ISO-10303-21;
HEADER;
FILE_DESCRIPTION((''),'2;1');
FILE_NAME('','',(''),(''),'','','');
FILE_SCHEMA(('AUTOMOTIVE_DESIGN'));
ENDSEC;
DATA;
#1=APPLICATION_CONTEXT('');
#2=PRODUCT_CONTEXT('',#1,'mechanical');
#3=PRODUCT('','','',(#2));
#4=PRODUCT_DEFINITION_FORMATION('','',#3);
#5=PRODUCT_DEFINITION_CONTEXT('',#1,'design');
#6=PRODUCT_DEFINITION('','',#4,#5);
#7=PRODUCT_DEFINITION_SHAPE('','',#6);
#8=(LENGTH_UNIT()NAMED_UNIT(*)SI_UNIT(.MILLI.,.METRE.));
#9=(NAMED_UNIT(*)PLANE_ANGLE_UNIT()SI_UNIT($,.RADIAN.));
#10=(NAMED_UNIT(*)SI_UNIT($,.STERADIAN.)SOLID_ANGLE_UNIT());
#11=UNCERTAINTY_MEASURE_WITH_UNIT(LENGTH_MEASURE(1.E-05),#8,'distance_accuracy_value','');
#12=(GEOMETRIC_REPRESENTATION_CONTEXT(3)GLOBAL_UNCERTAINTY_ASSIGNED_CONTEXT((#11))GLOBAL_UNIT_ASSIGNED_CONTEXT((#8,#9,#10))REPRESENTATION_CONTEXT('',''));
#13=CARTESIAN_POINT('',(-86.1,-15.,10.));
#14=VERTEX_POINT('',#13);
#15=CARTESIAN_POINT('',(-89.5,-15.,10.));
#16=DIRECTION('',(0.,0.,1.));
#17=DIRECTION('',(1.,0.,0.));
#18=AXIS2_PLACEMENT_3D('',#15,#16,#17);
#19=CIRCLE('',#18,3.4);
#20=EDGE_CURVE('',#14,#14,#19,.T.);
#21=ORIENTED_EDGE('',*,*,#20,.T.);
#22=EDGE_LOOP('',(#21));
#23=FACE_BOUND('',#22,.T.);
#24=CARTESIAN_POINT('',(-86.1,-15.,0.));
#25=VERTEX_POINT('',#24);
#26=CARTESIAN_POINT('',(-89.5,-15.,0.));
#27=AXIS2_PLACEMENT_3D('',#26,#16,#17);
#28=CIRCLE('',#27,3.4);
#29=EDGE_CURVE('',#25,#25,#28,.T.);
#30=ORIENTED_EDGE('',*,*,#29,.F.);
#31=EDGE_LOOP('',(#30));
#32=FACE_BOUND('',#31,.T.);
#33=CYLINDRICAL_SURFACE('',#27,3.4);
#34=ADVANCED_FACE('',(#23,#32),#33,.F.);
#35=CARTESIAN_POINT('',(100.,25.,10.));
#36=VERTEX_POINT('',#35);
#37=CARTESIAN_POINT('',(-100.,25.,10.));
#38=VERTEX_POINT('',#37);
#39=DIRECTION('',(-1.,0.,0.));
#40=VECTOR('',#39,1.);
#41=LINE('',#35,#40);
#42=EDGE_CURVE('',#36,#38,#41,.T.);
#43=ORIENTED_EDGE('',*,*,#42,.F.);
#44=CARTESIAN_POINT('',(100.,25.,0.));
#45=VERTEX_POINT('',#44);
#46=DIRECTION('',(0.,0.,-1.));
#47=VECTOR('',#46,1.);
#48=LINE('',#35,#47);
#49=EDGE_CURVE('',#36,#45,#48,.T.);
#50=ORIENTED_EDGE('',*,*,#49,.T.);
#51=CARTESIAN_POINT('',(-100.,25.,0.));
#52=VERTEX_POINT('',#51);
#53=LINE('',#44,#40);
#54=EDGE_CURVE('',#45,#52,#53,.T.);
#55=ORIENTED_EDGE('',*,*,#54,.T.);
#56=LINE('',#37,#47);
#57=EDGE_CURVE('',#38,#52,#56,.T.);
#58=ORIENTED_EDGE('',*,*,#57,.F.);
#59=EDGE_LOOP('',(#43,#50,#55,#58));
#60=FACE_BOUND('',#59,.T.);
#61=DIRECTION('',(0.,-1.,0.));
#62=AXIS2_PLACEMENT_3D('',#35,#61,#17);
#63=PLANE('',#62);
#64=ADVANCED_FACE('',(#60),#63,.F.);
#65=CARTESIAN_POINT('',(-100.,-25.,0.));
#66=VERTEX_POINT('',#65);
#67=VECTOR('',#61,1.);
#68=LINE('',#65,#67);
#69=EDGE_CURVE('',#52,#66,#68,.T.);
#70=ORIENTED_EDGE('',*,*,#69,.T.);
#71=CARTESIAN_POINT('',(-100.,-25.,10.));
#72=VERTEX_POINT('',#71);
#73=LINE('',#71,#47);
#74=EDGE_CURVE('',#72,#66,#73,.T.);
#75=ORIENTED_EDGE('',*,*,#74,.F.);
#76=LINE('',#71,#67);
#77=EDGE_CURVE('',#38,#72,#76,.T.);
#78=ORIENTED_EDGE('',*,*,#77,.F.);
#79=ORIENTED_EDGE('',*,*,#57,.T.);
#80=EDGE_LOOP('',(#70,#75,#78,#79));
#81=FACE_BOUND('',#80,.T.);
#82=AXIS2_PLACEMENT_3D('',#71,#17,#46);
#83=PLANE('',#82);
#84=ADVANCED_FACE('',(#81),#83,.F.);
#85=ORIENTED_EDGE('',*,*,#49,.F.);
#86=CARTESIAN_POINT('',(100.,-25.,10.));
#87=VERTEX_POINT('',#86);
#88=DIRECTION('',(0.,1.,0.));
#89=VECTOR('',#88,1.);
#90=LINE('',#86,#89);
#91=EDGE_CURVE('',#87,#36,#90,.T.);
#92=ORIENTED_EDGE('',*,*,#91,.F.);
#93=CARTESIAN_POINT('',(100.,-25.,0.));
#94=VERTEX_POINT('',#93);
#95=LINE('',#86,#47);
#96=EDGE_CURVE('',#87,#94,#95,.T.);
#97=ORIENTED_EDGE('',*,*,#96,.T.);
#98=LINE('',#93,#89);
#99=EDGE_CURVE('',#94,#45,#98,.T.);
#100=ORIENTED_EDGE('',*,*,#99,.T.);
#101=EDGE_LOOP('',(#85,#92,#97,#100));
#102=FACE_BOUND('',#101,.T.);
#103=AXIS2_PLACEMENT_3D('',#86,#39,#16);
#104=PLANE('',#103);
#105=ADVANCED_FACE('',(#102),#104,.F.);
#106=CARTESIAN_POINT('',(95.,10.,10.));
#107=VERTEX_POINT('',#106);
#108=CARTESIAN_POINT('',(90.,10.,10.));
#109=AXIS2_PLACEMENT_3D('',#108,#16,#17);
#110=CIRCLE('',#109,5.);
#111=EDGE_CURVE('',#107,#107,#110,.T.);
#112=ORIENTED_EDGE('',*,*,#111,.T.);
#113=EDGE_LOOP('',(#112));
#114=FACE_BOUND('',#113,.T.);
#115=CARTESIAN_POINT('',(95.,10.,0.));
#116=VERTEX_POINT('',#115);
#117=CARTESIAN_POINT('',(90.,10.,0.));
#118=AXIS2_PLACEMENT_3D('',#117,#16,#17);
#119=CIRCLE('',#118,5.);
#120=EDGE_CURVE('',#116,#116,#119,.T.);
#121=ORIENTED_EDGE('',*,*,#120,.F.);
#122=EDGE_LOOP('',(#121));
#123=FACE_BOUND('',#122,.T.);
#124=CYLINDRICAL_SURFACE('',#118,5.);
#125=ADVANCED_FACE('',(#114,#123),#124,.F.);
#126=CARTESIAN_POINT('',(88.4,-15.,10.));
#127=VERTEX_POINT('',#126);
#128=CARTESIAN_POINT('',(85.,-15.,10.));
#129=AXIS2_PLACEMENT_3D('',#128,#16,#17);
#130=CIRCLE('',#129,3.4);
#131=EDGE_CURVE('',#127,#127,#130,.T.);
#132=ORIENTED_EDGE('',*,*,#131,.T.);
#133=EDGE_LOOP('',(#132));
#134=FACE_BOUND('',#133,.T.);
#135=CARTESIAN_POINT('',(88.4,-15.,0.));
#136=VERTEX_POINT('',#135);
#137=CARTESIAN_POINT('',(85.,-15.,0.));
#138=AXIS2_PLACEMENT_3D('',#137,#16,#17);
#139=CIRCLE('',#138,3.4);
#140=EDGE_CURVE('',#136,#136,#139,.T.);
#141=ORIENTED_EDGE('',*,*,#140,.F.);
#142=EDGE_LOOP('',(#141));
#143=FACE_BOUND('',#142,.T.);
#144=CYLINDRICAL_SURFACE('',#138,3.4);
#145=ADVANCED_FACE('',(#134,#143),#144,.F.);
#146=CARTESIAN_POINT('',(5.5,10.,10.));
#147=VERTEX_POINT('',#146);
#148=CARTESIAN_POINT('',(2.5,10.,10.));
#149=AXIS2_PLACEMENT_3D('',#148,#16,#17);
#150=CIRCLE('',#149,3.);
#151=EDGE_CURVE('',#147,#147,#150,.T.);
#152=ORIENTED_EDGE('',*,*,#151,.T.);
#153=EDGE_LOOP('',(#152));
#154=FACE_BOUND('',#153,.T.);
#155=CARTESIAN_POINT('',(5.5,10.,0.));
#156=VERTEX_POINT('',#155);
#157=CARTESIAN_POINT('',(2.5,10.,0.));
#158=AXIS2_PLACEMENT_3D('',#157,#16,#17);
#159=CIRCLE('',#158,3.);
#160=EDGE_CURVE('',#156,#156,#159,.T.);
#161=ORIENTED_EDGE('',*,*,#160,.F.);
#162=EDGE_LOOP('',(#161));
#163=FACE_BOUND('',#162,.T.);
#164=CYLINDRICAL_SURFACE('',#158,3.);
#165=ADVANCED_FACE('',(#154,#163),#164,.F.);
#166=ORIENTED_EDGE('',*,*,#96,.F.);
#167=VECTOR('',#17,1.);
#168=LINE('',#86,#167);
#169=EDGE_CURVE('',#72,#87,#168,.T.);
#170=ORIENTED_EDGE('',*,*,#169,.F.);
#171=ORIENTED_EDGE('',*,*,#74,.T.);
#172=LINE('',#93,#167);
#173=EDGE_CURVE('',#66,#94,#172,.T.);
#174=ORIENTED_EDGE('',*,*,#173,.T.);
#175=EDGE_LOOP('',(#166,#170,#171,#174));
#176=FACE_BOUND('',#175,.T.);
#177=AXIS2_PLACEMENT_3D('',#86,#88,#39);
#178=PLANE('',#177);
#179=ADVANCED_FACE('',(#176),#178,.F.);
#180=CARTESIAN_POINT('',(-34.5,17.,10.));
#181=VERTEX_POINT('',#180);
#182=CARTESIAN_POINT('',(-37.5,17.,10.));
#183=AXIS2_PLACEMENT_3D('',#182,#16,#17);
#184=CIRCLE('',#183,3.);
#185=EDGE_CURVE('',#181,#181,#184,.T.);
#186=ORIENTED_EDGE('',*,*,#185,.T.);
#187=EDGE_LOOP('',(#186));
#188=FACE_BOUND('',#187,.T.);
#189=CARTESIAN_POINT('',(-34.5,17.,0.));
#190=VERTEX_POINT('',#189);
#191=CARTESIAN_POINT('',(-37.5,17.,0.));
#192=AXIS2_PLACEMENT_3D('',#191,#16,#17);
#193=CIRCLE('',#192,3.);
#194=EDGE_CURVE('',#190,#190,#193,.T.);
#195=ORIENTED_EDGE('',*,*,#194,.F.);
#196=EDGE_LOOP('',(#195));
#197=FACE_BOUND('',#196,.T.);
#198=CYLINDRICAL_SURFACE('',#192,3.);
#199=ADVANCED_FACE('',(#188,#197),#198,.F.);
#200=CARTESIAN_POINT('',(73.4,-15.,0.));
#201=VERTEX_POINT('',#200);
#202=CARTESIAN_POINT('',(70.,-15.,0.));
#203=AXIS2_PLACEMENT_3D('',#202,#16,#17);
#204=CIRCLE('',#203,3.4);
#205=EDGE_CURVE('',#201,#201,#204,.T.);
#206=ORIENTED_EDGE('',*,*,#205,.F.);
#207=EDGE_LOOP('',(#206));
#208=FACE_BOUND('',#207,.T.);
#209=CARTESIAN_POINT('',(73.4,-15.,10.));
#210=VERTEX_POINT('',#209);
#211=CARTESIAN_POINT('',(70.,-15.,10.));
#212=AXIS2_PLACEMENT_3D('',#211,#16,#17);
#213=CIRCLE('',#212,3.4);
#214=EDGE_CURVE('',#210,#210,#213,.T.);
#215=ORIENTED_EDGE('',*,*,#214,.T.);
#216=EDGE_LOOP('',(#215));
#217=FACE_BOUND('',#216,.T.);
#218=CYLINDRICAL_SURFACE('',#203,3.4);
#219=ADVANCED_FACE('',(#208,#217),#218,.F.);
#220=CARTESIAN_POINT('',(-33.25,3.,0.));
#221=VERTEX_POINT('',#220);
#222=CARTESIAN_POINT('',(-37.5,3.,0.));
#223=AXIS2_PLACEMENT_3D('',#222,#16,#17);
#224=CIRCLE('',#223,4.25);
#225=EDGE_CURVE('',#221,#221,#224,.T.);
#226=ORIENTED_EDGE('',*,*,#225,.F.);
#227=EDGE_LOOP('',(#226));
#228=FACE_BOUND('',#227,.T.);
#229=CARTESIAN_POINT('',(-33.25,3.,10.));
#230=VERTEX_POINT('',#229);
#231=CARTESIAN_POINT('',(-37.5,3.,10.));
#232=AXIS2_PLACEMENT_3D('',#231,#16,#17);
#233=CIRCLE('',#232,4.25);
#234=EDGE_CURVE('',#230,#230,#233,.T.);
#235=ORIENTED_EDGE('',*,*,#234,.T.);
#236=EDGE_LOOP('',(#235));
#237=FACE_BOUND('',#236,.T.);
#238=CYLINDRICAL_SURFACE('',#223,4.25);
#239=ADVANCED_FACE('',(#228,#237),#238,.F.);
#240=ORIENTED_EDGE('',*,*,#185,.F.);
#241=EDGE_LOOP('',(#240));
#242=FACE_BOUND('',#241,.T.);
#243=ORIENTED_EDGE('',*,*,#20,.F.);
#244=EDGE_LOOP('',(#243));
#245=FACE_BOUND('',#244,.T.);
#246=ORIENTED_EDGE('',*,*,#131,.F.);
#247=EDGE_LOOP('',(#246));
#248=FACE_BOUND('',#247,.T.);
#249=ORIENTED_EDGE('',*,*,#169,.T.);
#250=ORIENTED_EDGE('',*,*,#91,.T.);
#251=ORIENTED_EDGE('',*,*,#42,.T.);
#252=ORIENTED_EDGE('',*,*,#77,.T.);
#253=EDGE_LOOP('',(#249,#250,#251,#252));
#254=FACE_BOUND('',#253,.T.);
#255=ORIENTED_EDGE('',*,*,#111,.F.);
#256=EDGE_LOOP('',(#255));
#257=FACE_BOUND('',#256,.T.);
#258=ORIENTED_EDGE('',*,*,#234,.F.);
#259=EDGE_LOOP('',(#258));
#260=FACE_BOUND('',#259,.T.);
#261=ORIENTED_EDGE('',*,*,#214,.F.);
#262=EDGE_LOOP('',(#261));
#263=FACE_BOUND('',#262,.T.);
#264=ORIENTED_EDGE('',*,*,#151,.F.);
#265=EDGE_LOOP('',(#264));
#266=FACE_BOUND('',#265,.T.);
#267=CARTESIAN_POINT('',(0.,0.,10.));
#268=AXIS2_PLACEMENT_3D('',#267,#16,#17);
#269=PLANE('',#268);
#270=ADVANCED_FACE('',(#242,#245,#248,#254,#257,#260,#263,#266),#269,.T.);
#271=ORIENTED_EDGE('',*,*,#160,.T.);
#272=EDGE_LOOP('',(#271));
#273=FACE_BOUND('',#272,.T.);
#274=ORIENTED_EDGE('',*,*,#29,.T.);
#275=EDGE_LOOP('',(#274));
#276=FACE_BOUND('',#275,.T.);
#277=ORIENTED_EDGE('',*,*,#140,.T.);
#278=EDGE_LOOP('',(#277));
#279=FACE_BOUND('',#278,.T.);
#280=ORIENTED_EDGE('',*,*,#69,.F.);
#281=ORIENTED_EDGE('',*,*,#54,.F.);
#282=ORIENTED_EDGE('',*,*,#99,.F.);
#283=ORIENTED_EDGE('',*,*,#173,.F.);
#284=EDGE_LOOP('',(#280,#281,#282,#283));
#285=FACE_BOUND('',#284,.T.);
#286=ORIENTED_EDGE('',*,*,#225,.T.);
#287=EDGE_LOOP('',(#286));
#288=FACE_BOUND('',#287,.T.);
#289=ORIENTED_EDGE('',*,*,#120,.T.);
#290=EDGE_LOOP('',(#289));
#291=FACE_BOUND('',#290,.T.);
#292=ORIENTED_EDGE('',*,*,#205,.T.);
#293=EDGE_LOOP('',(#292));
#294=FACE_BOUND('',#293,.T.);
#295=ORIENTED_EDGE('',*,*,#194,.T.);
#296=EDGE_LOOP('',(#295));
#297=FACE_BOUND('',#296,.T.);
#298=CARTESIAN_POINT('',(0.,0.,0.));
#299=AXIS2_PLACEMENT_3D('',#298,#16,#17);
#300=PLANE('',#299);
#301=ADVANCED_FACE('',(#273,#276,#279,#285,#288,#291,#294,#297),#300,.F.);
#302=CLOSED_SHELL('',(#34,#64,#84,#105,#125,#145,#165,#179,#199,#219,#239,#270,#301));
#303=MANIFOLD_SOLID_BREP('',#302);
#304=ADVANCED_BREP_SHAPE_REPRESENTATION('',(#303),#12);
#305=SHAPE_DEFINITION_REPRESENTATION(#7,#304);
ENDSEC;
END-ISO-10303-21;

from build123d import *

# Parameters (mm, degrees)
SKETCH1_W           = 200
SKETCH1_H           = 50
BOSS_EXTRUDE1_DEPTH = 10
SKETCH2_R           = 5
SKETCH2_R_2         = 3
SKETCH2_R_3         = 4.25
CUT_EXTRUDE1_DEPTH  = 104.561575886
SKETCH3_R           = 3.4
CUT_EXTRUDE2_DEPTH  = 104.561575886


with BuildPart() as part:
    # Sketch1 → Boss-Extrude1 (new body)
    with BuildSketch(Plane.XY):
        Rectangle(SKETCH1_W, SKETCH1_H)
    extrude(amount=BOSS_EXTRUDE1_DEPTH)

    # Sketch2 → Cut-Extrude1 (cut, through all)
    with BuildSketch(Plane.XY.offset(10)):
        with Locations((90, 10)):
            Circle(SKETCH2_R)
        with Locations((2.5, 10)):
            Circle(SKETCH2_R_2)
        with Locations((-37.5, 17)):
            Circle(SKETCH2_R_2)
        with Locations((-37.5, 3)):
            Circle(SKETCH2_R_3)
    extrude(amount=-CUT_EXTRUDE1_DEPTH, mode=Mode.SUBTRACT)

    # Sketch3 → Cut-Extrude2 (cut, through all)
    with BuildSketch(Plane.XY.offset(10)):
        with Locations((-89.5, -15)):
            Circle(SKETCH3_R)
        with Locations((70, -15)):
            Circle(SKETCH3_R)
        with Locations((85, -15)):
            Circle(SKETCH3_R)
    extrude(amount=-CUT_EXTRUDE2_DEPTH, mode=Mode.SUBTRACT)


solid = part.part
